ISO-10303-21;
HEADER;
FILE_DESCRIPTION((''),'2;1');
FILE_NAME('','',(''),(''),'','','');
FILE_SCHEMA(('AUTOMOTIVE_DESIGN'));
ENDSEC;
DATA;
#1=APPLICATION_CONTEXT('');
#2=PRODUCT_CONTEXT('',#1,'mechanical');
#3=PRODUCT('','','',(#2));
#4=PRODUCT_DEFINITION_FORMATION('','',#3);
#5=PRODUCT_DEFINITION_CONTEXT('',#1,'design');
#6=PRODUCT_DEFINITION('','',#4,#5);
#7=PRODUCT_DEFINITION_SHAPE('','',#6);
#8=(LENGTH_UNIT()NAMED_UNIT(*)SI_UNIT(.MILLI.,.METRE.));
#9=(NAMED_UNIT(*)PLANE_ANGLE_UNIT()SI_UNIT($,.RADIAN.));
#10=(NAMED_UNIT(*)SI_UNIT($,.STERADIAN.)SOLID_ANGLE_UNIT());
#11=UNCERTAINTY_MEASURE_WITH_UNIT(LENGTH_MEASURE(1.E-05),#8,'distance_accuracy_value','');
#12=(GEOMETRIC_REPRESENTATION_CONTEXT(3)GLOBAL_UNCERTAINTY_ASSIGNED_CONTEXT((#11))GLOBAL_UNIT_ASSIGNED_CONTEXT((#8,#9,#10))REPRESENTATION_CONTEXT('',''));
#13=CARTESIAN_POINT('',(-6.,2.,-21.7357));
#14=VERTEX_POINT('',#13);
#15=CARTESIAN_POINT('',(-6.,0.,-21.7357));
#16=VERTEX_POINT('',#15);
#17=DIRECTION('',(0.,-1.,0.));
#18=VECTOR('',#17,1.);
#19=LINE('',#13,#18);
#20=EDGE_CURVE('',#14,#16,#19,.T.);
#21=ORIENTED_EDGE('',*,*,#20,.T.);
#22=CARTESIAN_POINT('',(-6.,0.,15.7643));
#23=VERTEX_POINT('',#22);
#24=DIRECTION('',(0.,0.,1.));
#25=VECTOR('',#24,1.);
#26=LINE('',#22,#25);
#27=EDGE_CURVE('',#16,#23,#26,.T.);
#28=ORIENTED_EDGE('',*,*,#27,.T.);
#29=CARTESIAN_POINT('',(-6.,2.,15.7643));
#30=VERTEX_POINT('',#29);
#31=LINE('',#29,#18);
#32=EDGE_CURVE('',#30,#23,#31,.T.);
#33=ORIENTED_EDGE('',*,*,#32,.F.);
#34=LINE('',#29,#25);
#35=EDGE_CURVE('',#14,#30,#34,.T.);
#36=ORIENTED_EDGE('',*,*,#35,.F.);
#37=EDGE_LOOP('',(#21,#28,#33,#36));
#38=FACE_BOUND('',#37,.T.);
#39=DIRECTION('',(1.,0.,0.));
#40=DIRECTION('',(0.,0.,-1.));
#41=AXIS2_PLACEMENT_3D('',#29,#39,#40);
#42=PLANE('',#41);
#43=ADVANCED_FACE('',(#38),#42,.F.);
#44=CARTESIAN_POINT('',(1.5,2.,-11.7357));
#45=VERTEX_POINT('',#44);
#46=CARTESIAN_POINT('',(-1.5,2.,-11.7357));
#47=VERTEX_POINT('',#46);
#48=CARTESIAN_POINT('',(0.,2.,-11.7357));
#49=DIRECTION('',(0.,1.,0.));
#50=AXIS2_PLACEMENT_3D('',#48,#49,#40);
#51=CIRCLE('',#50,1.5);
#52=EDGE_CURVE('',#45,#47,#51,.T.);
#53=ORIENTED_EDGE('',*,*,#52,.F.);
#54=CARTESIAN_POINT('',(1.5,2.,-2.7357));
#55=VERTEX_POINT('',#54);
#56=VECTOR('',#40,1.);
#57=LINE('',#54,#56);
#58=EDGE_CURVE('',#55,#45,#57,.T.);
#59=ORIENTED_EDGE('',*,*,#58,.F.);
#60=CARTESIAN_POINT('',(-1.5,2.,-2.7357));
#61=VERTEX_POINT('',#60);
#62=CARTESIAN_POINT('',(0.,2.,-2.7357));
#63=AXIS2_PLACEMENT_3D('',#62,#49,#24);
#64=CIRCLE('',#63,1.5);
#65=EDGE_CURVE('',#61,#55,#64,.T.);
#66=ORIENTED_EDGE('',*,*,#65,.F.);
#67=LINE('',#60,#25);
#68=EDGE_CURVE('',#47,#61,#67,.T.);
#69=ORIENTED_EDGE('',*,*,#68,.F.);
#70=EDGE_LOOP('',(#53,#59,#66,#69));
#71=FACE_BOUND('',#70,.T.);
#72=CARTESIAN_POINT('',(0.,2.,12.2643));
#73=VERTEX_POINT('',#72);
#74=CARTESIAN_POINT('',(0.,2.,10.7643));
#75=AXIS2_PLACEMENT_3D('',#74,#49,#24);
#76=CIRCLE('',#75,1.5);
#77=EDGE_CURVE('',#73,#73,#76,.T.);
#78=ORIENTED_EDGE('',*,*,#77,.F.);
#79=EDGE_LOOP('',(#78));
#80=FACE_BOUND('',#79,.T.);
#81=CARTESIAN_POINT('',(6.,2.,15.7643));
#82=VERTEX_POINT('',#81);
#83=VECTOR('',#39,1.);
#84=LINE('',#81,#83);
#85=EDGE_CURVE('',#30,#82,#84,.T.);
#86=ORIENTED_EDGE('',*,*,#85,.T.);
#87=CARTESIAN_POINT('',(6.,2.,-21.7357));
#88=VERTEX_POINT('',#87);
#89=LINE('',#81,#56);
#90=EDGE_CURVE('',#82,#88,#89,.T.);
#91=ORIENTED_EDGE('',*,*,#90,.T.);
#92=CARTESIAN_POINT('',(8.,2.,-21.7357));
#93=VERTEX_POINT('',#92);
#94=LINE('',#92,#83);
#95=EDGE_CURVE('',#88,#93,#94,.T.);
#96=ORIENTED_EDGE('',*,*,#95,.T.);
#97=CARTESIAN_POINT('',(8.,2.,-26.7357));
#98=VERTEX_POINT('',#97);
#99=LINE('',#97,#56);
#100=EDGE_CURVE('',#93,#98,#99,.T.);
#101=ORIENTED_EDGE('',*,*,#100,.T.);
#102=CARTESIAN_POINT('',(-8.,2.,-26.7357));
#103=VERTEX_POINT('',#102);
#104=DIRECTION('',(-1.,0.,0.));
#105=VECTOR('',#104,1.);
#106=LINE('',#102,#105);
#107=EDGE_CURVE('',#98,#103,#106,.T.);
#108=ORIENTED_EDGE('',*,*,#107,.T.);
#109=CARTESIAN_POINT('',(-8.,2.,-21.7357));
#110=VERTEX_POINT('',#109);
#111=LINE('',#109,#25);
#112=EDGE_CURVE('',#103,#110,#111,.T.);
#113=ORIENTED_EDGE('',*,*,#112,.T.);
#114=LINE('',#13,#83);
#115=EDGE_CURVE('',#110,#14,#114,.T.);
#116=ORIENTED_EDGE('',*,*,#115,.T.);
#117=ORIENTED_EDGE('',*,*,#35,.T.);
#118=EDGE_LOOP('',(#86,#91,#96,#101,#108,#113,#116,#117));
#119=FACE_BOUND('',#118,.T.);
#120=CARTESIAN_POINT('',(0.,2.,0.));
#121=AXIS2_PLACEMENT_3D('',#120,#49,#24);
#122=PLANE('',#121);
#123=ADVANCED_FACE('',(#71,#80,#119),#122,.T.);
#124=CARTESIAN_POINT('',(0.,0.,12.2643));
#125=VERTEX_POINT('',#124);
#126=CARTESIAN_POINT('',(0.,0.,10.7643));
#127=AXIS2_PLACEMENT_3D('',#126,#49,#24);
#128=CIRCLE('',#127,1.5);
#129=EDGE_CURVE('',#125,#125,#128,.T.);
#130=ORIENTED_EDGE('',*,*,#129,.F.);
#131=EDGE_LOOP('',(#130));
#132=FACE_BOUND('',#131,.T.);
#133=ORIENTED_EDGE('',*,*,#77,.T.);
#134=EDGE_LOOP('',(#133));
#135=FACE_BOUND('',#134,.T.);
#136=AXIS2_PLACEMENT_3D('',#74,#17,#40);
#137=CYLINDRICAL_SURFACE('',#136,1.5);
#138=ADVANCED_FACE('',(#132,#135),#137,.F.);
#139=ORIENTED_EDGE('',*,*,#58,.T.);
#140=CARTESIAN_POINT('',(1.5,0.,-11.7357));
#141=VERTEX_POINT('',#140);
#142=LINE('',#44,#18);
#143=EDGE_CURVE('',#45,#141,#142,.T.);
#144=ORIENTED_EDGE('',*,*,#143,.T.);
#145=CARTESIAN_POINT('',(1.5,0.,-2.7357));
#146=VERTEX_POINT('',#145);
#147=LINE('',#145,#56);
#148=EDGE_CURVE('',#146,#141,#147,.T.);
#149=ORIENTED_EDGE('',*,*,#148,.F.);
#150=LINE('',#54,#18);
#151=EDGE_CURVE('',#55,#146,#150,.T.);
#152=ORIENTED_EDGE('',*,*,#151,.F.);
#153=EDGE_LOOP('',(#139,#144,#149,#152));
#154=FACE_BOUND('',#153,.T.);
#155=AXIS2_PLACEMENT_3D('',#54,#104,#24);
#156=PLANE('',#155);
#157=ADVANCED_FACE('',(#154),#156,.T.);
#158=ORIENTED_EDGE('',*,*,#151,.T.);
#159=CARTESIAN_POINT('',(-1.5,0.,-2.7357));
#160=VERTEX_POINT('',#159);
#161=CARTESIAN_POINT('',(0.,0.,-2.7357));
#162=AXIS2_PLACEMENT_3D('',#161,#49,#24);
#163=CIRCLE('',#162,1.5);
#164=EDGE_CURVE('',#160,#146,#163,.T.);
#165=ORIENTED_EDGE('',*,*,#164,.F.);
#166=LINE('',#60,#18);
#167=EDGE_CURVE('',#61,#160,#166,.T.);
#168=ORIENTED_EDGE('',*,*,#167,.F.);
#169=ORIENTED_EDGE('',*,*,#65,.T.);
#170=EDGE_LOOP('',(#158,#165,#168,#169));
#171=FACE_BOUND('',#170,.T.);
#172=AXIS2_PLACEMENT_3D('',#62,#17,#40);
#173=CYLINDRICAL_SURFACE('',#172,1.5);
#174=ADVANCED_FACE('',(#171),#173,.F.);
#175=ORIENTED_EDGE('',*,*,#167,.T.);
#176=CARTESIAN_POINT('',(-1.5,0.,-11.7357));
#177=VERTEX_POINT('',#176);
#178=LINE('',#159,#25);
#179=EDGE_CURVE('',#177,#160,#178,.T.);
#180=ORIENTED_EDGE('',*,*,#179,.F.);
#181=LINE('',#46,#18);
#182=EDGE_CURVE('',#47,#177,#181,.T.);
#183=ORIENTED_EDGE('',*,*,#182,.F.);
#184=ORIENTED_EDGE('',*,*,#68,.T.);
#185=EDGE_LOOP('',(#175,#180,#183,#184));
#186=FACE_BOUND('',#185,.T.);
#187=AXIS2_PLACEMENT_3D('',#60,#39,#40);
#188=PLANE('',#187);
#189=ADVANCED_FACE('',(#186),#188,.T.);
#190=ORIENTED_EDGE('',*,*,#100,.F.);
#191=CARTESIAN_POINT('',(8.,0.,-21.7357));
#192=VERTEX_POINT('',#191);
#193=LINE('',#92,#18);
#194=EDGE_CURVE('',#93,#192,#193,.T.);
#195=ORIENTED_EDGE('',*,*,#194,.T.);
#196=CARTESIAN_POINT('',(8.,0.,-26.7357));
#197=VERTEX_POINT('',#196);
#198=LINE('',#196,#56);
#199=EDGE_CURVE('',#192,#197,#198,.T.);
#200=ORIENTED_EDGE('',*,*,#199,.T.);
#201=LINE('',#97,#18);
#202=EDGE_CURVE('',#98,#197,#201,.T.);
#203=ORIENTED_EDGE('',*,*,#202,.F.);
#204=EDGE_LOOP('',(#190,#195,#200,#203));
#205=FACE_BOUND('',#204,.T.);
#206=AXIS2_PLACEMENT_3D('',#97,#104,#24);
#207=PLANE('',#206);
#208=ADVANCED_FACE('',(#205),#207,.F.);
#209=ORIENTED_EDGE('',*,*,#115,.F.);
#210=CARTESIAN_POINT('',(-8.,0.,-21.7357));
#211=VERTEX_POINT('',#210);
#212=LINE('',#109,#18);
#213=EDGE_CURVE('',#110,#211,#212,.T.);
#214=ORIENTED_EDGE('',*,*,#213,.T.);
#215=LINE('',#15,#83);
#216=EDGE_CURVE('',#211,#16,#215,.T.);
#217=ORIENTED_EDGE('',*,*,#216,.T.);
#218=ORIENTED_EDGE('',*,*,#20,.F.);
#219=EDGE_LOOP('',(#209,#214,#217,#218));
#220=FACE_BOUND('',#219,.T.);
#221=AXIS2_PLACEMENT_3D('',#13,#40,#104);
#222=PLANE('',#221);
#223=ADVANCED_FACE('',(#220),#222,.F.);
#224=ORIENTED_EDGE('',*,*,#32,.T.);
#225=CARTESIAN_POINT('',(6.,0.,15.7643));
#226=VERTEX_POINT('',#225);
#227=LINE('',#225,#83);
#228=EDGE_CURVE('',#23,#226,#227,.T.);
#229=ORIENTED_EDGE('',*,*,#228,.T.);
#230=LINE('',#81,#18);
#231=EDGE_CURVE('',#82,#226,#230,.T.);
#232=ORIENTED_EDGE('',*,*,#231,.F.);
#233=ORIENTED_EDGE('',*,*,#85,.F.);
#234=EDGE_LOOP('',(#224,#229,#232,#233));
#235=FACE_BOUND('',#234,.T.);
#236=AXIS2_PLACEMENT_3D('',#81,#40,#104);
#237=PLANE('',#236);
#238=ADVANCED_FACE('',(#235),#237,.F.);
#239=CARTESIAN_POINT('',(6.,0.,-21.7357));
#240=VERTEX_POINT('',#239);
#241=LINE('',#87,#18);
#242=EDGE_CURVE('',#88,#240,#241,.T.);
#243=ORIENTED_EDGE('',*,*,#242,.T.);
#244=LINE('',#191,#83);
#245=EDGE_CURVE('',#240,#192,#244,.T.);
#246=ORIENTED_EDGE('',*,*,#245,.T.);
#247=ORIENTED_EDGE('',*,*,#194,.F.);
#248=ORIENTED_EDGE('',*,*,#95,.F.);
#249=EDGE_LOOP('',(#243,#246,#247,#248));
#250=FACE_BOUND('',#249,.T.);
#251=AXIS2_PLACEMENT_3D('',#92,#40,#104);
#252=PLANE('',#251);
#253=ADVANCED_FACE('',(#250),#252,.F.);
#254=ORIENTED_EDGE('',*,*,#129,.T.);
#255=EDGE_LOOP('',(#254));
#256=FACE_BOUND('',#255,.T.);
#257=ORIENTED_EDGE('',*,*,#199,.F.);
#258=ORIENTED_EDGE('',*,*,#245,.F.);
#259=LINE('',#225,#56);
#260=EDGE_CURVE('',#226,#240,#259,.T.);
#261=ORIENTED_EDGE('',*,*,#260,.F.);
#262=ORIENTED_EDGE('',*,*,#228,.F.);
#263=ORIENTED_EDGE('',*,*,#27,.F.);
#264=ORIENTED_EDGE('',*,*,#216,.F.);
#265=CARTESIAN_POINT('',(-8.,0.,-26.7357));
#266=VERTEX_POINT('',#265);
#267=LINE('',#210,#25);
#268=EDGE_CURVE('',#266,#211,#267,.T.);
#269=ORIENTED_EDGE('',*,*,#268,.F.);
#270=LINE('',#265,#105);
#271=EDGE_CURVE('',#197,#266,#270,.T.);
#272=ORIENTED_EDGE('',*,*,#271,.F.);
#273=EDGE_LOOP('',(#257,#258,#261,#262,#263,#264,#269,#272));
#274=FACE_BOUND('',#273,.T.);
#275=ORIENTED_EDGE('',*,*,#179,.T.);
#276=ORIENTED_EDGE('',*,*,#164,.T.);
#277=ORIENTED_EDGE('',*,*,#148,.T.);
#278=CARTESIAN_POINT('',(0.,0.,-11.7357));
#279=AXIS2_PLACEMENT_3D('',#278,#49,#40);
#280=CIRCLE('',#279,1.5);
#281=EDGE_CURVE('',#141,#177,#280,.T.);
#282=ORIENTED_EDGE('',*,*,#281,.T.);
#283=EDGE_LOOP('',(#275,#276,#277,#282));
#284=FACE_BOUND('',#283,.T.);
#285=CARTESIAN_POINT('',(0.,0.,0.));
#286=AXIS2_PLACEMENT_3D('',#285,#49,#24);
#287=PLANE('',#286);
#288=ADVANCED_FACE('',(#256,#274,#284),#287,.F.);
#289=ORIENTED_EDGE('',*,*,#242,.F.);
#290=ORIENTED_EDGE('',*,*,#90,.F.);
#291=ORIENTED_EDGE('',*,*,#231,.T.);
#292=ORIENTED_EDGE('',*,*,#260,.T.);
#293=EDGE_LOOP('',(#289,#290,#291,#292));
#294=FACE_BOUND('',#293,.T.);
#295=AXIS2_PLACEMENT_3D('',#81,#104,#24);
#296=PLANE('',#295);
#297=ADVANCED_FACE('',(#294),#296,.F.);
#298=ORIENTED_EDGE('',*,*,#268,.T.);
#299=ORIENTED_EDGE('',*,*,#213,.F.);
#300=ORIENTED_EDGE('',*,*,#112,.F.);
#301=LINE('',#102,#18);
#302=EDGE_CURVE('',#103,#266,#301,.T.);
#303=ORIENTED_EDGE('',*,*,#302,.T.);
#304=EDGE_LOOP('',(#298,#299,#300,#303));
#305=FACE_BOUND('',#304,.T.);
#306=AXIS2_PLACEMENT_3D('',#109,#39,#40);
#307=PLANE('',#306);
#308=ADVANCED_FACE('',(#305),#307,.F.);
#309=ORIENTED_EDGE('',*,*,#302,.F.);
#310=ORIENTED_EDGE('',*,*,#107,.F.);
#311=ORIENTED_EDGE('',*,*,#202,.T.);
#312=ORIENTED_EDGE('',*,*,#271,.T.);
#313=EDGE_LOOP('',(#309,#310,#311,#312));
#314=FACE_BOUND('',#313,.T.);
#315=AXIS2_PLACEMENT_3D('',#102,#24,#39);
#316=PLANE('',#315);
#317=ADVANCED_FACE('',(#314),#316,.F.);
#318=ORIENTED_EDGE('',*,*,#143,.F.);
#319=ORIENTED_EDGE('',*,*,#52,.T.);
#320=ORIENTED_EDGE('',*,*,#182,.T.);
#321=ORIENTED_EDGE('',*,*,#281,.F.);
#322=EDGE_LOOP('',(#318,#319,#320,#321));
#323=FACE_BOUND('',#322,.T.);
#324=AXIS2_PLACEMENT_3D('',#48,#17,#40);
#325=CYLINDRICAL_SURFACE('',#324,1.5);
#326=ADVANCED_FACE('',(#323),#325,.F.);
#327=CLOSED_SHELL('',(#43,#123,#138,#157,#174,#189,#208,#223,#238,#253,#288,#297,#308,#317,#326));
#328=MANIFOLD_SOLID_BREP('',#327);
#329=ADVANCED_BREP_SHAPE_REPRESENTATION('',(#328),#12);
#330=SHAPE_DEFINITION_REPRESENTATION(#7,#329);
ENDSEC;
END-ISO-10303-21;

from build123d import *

# Parameters (mm, degrees)
SKETCH1_R           = 1.5
BOSS_EXTRUDE1_DEPTH = 2


with BuildPart() as part:
    # Sketch1 → Boss-Extrude1 (new body)
    with BuildSketch(Plane(origin=(0, 0, 0), x_dir=(1, 0, 0), z_dir=(0, 1, 0))):
        Polygon((-6, 21.735699927), (-8, 21.735699927), (-8, 26.735699927), (8, 26.735699927), (8, 21.735699927), (6, 21.735699927), (6, -15.764300073), (-6, -15.764300073), align=None)
        with Locations(Location((0, -10.764300073, 0), (0, 0, 270))):
            Circle(SKETCH1_R, mode=Mode.SUBTRACT)
        with BuildLine():
            Line((1.5, 2.735699927), (1.5, 11.735699927))
            ThreePointArc((1.5, 11.735699927), (0, 13.235699927), (-1.5, 11.735699927))
            Line((-1.5, 11.735699927), (-1.5, 2.735699927))
            ThreePointArc((-1.5, 2.735699927), (0, 1.235699927), (1.5, 2.735699927))
        make_face(mode=Mode.SUBTRACT)
    extrude(amount=BOSS_EXTRUDE1_DEPTH)


solid = part.part
